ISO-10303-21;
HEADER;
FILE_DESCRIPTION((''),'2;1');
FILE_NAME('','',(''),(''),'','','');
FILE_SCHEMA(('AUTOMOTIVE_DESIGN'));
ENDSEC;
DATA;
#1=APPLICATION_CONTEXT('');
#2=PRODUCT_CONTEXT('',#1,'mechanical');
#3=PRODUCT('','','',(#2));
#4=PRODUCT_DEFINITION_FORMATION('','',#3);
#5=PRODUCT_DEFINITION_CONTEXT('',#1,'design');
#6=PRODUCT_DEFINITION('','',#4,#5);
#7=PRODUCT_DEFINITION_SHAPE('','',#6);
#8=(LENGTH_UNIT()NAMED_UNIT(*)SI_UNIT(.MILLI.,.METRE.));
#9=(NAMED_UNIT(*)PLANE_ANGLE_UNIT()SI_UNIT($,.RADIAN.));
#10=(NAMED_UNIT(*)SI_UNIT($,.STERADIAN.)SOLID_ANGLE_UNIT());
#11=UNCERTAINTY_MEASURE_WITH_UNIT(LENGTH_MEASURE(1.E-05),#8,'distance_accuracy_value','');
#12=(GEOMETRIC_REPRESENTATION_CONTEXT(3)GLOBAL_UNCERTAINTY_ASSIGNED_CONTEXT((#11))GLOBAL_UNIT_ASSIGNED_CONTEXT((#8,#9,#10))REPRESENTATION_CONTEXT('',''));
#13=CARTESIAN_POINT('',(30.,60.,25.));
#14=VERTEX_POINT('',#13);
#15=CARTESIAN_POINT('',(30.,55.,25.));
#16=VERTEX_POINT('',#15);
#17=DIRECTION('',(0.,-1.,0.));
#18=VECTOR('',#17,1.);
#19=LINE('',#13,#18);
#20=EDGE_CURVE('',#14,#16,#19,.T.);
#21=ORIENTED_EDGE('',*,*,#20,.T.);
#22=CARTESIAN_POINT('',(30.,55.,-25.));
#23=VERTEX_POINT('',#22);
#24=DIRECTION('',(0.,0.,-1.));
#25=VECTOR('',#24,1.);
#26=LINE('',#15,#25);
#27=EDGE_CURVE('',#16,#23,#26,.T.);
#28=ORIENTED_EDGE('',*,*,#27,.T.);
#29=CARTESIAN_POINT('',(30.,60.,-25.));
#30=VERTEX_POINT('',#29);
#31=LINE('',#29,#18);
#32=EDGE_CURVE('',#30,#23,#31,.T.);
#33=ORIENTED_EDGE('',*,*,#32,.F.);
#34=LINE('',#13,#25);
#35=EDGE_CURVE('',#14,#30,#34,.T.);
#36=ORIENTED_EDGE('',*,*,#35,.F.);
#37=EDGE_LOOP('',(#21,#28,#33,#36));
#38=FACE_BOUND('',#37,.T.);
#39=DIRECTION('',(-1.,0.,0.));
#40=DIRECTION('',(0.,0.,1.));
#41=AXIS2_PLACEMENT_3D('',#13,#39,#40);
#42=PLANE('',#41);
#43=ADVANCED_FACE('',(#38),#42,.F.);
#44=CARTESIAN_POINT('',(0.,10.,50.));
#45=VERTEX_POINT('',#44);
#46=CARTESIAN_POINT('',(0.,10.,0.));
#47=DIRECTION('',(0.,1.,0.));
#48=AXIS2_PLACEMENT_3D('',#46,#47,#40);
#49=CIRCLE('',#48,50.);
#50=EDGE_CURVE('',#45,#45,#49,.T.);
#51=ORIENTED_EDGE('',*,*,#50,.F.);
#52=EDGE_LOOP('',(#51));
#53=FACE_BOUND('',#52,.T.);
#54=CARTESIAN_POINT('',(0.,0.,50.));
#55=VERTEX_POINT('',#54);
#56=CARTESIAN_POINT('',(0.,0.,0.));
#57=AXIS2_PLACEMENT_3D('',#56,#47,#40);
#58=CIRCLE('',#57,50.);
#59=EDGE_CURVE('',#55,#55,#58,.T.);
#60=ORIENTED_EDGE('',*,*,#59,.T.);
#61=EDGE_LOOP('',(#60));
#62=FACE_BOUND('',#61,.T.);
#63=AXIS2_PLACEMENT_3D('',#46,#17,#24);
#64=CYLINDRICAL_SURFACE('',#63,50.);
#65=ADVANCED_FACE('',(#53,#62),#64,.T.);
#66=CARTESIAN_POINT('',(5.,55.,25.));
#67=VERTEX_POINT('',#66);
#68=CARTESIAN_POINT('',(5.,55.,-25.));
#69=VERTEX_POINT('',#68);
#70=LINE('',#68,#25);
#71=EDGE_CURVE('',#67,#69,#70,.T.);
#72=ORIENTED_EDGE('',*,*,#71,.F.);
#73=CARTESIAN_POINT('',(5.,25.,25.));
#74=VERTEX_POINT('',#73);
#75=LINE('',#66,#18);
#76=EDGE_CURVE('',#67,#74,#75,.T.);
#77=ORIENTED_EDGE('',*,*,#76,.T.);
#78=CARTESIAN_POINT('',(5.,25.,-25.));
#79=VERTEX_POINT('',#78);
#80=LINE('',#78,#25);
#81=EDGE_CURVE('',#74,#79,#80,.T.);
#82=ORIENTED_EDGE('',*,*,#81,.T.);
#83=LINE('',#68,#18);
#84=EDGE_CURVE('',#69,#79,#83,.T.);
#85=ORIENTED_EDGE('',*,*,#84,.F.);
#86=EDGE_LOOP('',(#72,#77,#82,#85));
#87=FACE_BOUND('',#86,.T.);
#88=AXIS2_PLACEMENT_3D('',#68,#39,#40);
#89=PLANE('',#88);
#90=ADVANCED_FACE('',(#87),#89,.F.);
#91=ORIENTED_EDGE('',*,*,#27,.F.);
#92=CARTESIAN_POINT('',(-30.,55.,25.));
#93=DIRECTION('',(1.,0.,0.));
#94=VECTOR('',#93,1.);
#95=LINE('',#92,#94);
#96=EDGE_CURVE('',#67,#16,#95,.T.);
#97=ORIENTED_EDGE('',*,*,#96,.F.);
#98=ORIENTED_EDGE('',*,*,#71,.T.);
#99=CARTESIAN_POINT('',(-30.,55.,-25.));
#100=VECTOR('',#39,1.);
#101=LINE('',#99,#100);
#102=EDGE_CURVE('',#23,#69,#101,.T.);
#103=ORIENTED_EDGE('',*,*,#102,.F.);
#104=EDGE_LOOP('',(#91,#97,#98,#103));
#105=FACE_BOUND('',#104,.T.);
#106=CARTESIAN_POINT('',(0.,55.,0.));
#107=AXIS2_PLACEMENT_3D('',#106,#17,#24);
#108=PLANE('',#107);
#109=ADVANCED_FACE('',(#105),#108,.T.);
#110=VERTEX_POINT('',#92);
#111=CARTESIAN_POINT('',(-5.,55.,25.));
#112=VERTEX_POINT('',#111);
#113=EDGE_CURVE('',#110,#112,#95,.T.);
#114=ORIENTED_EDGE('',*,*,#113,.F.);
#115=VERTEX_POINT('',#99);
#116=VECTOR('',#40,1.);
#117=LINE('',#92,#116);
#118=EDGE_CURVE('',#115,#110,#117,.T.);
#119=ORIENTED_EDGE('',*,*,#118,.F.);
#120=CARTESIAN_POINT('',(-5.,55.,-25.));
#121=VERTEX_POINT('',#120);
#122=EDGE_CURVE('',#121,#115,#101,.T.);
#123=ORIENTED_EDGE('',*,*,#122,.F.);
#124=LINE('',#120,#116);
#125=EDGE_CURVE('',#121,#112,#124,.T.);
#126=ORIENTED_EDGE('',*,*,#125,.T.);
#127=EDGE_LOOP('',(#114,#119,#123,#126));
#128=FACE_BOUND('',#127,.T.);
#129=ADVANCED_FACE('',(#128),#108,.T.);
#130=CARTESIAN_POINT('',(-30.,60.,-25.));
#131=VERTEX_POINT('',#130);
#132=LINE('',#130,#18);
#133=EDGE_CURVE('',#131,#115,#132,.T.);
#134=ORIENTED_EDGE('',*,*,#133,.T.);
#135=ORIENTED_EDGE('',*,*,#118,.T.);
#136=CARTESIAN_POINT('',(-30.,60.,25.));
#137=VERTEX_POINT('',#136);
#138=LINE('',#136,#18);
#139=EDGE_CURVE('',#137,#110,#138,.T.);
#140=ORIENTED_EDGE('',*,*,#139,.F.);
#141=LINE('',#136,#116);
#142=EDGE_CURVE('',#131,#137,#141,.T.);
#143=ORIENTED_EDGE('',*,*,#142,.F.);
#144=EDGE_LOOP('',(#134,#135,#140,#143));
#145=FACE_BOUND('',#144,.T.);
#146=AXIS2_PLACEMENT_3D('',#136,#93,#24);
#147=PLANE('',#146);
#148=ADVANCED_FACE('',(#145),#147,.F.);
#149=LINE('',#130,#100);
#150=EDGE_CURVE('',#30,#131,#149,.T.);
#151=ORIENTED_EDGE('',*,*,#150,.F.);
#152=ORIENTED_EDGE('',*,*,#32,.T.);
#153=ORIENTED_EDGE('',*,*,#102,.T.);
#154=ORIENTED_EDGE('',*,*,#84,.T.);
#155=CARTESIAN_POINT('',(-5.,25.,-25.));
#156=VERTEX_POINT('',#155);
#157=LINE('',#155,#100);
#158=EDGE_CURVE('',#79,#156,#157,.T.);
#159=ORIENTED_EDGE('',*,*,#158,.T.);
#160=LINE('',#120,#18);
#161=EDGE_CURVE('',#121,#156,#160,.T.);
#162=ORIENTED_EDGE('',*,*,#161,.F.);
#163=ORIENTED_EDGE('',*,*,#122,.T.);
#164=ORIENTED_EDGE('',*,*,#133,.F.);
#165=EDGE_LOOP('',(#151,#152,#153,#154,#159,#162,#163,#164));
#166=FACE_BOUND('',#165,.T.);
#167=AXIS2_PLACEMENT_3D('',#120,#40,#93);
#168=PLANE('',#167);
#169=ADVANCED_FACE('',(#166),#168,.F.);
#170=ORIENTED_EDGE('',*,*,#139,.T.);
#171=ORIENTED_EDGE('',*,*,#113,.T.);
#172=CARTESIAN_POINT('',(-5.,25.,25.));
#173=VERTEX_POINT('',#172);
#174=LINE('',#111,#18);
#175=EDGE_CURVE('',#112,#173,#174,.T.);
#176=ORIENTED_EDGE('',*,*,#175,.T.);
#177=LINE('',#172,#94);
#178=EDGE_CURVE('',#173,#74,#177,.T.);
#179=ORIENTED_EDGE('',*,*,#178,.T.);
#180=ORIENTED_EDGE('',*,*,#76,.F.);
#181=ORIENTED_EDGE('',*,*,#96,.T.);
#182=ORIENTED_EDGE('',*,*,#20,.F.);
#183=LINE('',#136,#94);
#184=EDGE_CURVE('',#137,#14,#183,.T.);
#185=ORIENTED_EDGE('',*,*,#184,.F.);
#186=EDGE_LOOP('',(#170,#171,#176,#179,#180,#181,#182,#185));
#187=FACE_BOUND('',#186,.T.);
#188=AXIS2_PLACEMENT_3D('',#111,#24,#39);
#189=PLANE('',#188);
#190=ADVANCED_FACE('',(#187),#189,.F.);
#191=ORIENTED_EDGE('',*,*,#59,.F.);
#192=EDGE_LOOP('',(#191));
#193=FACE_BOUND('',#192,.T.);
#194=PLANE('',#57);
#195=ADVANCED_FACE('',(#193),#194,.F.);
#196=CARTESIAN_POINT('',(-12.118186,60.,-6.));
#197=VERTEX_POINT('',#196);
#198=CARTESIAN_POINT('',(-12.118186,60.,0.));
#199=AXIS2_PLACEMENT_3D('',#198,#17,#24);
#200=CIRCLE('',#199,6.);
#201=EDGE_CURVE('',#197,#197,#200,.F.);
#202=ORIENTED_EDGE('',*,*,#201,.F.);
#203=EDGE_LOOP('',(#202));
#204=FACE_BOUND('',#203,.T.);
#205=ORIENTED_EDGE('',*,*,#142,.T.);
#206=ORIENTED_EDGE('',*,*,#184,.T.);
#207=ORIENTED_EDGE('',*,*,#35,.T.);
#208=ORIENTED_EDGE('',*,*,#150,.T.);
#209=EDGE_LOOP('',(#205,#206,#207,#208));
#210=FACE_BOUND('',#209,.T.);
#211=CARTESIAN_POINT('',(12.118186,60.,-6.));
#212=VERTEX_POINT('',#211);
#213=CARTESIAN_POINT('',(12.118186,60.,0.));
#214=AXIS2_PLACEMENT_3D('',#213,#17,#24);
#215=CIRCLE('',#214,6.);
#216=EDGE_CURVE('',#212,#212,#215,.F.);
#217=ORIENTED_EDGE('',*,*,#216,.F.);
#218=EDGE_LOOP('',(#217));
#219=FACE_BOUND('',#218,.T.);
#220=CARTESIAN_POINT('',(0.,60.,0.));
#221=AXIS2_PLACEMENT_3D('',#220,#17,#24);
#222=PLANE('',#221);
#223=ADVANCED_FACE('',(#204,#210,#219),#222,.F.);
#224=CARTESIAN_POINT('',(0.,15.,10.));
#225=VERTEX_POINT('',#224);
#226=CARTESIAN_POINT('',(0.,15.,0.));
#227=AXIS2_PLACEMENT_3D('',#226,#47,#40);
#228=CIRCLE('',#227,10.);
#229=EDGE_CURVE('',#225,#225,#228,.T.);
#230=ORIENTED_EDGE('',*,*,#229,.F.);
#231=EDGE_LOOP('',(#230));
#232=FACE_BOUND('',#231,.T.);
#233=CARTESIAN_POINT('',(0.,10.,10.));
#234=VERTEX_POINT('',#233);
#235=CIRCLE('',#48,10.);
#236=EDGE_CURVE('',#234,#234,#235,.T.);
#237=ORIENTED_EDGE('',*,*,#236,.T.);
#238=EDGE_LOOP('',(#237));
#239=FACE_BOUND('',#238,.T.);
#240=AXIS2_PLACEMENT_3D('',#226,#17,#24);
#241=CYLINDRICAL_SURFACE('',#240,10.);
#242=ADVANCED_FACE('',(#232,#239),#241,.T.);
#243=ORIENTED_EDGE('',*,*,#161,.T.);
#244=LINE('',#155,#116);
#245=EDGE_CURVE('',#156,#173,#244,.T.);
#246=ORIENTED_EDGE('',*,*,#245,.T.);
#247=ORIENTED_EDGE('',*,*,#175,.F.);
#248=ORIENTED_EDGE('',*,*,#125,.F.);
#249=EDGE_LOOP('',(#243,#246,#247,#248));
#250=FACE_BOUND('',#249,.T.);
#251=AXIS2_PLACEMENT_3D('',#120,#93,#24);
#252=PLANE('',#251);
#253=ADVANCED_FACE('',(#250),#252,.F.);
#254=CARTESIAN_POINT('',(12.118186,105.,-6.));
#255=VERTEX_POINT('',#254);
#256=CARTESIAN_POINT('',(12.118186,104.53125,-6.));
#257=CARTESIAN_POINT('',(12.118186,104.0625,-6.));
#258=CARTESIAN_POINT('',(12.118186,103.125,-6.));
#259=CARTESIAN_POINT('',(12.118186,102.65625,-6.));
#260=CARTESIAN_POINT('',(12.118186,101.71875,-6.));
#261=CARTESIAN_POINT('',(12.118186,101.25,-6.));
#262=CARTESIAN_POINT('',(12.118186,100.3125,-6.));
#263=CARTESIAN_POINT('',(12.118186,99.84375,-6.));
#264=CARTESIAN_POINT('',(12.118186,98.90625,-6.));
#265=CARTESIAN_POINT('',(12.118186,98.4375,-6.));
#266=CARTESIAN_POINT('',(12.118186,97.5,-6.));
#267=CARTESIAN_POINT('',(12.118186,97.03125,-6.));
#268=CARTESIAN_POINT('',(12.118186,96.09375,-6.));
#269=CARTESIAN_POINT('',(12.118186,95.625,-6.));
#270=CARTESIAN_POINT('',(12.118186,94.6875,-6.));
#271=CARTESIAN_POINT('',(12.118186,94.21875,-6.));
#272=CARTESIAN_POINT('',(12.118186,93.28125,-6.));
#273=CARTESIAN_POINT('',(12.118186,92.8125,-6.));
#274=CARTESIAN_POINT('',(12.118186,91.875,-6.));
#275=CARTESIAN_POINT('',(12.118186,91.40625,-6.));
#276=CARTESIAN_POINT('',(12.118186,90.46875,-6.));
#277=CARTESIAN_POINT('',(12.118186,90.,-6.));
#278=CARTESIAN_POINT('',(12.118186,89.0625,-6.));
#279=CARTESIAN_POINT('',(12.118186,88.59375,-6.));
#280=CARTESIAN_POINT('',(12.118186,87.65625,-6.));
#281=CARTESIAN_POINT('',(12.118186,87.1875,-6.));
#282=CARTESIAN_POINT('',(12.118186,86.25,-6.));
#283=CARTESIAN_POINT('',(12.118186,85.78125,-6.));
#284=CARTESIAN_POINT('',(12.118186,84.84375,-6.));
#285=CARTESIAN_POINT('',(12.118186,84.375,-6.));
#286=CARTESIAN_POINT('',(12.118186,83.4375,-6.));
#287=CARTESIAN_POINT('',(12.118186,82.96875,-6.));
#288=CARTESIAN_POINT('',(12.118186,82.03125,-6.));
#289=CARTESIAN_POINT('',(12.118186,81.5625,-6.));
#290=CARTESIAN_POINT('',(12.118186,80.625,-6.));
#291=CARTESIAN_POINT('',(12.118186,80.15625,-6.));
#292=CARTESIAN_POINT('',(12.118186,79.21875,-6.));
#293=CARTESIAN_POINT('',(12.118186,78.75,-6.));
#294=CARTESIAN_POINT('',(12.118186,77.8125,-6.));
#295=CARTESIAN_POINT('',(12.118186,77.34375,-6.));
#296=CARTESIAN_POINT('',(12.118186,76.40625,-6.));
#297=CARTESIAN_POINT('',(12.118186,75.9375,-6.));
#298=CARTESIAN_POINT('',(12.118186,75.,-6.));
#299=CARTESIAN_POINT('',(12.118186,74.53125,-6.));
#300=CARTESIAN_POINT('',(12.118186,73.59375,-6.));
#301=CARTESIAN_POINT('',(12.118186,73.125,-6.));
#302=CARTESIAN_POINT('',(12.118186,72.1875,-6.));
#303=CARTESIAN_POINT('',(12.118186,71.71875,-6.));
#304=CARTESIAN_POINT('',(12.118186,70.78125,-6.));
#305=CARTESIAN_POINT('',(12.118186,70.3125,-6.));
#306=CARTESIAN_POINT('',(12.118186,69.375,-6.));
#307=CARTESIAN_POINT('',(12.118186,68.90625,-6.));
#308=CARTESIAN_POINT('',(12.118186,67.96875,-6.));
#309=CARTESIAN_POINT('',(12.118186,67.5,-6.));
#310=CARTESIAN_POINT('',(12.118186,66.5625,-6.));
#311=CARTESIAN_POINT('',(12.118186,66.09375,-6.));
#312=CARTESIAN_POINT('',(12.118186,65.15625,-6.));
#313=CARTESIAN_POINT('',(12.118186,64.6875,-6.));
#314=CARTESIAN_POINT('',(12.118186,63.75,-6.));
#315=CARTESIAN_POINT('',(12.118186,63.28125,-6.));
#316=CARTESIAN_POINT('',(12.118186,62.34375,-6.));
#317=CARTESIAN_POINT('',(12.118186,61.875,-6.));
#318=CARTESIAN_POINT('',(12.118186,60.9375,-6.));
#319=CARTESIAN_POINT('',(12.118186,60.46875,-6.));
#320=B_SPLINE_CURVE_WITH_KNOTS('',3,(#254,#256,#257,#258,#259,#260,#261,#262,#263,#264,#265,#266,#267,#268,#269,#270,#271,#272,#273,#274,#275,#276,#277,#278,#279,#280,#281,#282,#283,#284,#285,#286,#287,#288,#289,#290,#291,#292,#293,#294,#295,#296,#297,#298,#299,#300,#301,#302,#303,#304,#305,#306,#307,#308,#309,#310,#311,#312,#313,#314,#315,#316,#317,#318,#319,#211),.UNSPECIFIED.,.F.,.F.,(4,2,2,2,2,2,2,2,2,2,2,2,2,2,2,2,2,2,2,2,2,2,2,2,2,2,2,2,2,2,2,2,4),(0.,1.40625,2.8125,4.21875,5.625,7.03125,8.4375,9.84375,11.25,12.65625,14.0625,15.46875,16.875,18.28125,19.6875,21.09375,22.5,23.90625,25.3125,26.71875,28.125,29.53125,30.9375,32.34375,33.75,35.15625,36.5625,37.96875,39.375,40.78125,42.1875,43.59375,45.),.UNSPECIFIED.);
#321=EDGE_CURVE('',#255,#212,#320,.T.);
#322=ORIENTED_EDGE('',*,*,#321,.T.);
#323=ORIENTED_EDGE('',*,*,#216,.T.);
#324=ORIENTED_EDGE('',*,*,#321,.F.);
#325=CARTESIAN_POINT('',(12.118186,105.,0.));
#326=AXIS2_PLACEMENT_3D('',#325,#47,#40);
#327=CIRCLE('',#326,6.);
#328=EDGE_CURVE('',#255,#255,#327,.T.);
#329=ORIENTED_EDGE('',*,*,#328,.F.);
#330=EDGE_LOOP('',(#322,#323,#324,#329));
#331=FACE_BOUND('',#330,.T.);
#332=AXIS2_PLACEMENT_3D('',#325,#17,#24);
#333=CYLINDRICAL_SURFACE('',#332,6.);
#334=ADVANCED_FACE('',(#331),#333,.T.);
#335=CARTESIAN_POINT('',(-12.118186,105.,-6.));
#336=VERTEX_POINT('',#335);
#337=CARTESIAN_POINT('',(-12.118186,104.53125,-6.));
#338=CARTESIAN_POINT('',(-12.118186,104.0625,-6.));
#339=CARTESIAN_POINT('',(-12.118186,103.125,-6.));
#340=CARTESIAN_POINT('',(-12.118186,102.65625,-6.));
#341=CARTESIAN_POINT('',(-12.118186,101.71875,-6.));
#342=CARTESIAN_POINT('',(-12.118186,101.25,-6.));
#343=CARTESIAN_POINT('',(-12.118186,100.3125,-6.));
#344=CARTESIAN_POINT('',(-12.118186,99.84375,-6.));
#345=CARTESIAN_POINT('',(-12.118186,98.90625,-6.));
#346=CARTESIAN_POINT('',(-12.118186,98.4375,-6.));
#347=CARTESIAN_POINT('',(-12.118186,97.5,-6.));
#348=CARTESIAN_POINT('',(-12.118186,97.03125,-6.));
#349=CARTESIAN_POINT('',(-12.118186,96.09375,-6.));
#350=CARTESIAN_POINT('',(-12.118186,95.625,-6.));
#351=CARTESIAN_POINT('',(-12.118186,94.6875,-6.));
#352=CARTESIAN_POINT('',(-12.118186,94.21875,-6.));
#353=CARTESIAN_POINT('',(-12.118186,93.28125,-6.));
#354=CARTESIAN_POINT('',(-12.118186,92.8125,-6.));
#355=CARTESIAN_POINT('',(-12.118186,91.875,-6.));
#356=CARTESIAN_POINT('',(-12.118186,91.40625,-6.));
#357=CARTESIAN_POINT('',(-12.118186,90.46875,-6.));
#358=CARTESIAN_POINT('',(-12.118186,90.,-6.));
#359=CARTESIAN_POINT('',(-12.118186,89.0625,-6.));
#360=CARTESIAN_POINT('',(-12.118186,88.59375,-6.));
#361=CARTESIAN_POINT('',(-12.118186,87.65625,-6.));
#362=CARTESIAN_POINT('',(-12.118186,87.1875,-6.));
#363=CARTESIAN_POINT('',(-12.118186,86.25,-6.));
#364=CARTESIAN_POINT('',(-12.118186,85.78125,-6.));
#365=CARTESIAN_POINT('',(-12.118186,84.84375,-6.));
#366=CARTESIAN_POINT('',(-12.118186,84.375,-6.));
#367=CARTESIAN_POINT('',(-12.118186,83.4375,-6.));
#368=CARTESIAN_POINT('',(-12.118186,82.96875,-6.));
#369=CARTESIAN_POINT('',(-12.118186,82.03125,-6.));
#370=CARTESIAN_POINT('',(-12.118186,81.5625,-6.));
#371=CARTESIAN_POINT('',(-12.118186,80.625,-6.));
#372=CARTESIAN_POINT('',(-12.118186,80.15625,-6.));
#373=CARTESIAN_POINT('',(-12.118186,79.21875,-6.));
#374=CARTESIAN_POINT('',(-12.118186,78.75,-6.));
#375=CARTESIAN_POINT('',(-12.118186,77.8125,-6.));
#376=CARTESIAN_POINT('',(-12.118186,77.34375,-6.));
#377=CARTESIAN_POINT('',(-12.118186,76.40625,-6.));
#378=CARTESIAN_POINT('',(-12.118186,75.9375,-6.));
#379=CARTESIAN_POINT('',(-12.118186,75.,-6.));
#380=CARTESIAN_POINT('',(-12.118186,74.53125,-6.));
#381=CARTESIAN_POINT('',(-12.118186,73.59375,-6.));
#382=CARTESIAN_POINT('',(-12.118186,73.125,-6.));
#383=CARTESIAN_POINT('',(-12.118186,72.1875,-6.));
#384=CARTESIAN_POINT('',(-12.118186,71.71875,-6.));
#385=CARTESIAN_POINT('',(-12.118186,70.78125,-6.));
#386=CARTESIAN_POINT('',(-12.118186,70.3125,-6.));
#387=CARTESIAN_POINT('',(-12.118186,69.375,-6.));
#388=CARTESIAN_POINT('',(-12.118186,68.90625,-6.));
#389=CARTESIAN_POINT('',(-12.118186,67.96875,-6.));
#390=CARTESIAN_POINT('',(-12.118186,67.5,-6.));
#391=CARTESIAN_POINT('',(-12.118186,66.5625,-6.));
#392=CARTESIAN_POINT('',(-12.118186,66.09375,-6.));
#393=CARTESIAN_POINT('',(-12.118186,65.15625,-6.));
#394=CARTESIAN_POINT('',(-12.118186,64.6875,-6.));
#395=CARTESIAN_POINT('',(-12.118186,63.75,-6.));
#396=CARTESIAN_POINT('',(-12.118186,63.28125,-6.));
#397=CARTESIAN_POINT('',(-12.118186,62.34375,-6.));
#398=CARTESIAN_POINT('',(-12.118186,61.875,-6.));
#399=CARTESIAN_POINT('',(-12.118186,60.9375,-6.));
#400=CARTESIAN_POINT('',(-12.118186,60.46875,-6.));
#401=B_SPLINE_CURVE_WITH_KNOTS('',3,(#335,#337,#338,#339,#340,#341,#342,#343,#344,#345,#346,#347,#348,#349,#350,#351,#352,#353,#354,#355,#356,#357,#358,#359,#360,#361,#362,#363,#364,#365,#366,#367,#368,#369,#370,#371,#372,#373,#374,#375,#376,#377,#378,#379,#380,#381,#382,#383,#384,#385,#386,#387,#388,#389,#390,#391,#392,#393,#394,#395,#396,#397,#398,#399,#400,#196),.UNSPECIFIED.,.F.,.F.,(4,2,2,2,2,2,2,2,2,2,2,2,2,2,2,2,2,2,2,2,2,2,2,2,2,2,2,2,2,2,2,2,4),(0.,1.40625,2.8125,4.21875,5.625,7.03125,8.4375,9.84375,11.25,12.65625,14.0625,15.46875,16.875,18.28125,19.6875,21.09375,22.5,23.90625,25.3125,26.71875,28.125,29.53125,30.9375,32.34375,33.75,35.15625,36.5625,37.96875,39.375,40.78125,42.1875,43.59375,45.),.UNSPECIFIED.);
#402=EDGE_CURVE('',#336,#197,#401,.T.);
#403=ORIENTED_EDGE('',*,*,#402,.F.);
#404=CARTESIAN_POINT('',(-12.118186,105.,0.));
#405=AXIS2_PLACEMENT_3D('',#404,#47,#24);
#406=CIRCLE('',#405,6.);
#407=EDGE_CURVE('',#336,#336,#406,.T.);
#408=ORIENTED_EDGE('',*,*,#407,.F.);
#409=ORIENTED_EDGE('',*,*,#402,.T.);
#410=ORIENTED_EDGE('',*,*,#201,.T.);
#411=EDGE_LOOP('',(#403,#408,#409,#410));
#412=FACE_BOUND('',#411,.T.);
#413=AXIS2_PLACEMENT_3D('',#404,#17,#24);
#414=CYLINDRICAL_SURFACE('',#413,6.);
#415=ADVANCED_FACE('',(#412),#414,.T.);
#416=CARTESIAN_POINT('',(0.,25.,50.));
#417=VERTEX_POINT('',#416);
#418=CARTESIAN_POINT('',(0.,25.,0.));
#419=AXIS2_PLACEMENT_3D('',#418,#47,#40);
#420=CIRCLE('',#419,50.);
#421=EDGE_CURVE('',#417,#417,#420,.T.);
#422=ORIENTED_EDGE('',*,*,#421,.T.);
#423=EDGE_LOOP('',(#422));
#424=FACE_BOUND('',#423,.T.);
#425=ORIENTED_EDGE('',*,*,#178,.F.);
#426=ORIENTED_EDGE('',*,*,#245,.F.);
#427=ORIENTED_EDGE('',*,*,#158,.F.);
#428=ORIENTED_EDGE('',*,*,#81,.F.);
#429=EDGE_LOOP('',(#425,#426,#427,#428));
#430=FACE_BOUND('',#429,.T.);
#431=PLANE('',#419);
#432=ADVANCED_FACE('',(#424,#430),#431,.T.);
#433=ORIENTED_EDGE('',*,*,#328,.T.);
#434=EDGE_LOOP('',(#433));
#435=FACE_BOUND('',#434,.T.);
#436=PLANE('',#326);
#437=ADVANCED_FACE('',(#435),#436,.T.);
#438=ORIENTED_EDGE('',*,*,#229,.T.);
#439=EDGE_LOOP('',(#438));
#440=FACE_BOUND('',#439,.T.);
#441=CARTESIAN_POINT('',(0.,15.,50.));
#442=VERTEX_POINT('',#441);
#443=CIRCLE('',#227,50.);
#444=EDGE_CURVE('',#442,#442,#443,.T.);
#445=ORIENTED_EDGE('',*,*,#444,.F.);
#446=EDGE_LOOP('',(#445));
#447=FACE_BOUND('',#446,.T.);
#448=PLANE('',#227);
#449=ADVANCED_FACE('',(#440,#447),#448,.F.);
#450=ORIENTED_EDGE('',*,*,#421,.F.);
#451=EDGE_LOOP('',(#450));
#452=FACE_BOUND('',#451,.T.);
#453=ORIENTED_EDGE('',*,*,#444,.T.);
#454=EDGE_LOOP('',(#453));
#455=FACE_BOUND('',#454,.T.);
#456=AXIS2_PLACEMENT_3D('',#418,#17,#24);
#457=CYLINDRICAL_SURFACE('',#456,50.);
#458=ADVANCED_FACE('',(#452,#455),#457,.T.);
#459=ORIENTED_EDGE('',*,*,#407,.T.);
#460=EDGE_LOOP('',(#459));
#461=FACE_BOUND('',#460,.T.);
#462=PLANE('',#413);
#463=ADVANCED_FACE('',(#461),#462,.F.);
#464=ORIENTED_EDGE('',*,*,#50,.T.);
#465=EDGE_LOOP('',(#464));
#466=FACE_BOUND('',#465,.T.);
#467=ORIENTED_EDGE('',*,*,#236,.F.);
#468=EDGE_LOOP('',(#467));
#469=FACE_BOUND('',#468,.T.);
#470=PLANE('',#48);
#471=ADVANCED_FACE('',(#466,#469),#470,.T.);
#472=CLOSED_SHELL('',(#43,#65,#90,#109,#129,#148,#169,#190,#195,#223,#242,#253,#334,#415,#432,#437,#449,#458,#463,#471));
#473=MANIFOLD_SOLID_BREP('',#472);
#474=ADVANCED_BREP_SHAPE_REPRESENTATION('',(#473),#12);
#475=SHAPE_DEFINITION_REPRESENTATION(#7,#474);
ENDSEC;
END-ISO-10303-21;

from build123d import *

# Parameters (mm, degrees)
SKETCH_1_R      = 50
EXTRUDE_1_DEPTH = 10
SKETCH_2_R      = 10
EXTRUDE_2_DEPTH = 5
SKETCH_3_R      = 50
EXTRUDE_3_DEPTH = 10
SKETCH_4_W      = 10
SKETCH_4_H      = 50
EXTRUDE_4_DEPTH = 30
SKETCH_5_W      = 60
SKETCH_5_H      = 50
EXTRUDE_5_DEPTH = 5
SKETCH_6_R      = 6
EXTRUDE_6_DEPTH = 45


with BuildPart() as part:
    # 草图1 → 凸台-拉伸1 (new body)
    with BuildSketch(Plane(origin=(0, 0, 0), x_dir=(1, 0, 0), z_dir=(0, 1, 0))):
        with Locations(Location((0, 0, 0), (0, 0, 270))):
            Circle(SKETCH_1_R)
    extrude(amount=EXTRUDE_1_DEPTH)

    # 草图2 → 凸台-拉伸2 (add)
    with BuildSketch(Plane(origin=(0, 10, 0), x_dir=(1, 0, 0), z_dir=(0, 1, 0))):
        with Locations(Location((0, 0, 0), (0, 0, 270))):
            Circle(SKETCH_2_R)
    extrude(amount=EXTRUDE_2_DEPTH)

    # 草图3 → 凸台-拉伸3 (add)
    with BuildSketch(Plane(origin=(0, 15, 0), x_dir=(1, 0, 0), z_dir=(0, 1, 0))):
        with Locations(Location((0, 0, 0), (0, 0, 270))):
            Circle(SKETCH_3_R)
    extrude(amount=EXTRUDE_3_DEPTH)

    # 草图4 → 凸台-拉伸4 (add)
    with BuildSketch(Plane(origin=(0, 25, 0), x_dir=(1, 0, 0), z_dir=(0, 1, 0))):
        Rectangle(SKETCH_4_W, SKETCH_4_H)
    extrude(amount=EXTRUDE_4_DEPTH)

    # 草图5 → 凸台-拉伸5 (add)
    with BuildSketch(Plane(origin=(0, 55, 0), x_dir=(1, 0, 0), z_dir=(0, 1, 0))):
        Rectangle(SKETCH_5_W, SKETCH_5_H)
    extrude(amount=EXTRUDE_5_DEPTH)

    # 草图6 → 凸台-拉伸6 (add)
    with BuildSketch(Plane(origin=(0, 60, 0), x_dir=(1, 0, 0), z_dir=(0, 1, 0))):
        with Locations(Location((12.118185601, 0, 0), (0, 0, 90))):
            Circle(SKETCH_6_R)
        with Locations(Location((-12.118185601, 0, 0), (0, 0, 90))):
            Circle(SKETCH_6_R)
    extrude(amount=EXTRUDE_6_DEPTH)


solid = part.part
